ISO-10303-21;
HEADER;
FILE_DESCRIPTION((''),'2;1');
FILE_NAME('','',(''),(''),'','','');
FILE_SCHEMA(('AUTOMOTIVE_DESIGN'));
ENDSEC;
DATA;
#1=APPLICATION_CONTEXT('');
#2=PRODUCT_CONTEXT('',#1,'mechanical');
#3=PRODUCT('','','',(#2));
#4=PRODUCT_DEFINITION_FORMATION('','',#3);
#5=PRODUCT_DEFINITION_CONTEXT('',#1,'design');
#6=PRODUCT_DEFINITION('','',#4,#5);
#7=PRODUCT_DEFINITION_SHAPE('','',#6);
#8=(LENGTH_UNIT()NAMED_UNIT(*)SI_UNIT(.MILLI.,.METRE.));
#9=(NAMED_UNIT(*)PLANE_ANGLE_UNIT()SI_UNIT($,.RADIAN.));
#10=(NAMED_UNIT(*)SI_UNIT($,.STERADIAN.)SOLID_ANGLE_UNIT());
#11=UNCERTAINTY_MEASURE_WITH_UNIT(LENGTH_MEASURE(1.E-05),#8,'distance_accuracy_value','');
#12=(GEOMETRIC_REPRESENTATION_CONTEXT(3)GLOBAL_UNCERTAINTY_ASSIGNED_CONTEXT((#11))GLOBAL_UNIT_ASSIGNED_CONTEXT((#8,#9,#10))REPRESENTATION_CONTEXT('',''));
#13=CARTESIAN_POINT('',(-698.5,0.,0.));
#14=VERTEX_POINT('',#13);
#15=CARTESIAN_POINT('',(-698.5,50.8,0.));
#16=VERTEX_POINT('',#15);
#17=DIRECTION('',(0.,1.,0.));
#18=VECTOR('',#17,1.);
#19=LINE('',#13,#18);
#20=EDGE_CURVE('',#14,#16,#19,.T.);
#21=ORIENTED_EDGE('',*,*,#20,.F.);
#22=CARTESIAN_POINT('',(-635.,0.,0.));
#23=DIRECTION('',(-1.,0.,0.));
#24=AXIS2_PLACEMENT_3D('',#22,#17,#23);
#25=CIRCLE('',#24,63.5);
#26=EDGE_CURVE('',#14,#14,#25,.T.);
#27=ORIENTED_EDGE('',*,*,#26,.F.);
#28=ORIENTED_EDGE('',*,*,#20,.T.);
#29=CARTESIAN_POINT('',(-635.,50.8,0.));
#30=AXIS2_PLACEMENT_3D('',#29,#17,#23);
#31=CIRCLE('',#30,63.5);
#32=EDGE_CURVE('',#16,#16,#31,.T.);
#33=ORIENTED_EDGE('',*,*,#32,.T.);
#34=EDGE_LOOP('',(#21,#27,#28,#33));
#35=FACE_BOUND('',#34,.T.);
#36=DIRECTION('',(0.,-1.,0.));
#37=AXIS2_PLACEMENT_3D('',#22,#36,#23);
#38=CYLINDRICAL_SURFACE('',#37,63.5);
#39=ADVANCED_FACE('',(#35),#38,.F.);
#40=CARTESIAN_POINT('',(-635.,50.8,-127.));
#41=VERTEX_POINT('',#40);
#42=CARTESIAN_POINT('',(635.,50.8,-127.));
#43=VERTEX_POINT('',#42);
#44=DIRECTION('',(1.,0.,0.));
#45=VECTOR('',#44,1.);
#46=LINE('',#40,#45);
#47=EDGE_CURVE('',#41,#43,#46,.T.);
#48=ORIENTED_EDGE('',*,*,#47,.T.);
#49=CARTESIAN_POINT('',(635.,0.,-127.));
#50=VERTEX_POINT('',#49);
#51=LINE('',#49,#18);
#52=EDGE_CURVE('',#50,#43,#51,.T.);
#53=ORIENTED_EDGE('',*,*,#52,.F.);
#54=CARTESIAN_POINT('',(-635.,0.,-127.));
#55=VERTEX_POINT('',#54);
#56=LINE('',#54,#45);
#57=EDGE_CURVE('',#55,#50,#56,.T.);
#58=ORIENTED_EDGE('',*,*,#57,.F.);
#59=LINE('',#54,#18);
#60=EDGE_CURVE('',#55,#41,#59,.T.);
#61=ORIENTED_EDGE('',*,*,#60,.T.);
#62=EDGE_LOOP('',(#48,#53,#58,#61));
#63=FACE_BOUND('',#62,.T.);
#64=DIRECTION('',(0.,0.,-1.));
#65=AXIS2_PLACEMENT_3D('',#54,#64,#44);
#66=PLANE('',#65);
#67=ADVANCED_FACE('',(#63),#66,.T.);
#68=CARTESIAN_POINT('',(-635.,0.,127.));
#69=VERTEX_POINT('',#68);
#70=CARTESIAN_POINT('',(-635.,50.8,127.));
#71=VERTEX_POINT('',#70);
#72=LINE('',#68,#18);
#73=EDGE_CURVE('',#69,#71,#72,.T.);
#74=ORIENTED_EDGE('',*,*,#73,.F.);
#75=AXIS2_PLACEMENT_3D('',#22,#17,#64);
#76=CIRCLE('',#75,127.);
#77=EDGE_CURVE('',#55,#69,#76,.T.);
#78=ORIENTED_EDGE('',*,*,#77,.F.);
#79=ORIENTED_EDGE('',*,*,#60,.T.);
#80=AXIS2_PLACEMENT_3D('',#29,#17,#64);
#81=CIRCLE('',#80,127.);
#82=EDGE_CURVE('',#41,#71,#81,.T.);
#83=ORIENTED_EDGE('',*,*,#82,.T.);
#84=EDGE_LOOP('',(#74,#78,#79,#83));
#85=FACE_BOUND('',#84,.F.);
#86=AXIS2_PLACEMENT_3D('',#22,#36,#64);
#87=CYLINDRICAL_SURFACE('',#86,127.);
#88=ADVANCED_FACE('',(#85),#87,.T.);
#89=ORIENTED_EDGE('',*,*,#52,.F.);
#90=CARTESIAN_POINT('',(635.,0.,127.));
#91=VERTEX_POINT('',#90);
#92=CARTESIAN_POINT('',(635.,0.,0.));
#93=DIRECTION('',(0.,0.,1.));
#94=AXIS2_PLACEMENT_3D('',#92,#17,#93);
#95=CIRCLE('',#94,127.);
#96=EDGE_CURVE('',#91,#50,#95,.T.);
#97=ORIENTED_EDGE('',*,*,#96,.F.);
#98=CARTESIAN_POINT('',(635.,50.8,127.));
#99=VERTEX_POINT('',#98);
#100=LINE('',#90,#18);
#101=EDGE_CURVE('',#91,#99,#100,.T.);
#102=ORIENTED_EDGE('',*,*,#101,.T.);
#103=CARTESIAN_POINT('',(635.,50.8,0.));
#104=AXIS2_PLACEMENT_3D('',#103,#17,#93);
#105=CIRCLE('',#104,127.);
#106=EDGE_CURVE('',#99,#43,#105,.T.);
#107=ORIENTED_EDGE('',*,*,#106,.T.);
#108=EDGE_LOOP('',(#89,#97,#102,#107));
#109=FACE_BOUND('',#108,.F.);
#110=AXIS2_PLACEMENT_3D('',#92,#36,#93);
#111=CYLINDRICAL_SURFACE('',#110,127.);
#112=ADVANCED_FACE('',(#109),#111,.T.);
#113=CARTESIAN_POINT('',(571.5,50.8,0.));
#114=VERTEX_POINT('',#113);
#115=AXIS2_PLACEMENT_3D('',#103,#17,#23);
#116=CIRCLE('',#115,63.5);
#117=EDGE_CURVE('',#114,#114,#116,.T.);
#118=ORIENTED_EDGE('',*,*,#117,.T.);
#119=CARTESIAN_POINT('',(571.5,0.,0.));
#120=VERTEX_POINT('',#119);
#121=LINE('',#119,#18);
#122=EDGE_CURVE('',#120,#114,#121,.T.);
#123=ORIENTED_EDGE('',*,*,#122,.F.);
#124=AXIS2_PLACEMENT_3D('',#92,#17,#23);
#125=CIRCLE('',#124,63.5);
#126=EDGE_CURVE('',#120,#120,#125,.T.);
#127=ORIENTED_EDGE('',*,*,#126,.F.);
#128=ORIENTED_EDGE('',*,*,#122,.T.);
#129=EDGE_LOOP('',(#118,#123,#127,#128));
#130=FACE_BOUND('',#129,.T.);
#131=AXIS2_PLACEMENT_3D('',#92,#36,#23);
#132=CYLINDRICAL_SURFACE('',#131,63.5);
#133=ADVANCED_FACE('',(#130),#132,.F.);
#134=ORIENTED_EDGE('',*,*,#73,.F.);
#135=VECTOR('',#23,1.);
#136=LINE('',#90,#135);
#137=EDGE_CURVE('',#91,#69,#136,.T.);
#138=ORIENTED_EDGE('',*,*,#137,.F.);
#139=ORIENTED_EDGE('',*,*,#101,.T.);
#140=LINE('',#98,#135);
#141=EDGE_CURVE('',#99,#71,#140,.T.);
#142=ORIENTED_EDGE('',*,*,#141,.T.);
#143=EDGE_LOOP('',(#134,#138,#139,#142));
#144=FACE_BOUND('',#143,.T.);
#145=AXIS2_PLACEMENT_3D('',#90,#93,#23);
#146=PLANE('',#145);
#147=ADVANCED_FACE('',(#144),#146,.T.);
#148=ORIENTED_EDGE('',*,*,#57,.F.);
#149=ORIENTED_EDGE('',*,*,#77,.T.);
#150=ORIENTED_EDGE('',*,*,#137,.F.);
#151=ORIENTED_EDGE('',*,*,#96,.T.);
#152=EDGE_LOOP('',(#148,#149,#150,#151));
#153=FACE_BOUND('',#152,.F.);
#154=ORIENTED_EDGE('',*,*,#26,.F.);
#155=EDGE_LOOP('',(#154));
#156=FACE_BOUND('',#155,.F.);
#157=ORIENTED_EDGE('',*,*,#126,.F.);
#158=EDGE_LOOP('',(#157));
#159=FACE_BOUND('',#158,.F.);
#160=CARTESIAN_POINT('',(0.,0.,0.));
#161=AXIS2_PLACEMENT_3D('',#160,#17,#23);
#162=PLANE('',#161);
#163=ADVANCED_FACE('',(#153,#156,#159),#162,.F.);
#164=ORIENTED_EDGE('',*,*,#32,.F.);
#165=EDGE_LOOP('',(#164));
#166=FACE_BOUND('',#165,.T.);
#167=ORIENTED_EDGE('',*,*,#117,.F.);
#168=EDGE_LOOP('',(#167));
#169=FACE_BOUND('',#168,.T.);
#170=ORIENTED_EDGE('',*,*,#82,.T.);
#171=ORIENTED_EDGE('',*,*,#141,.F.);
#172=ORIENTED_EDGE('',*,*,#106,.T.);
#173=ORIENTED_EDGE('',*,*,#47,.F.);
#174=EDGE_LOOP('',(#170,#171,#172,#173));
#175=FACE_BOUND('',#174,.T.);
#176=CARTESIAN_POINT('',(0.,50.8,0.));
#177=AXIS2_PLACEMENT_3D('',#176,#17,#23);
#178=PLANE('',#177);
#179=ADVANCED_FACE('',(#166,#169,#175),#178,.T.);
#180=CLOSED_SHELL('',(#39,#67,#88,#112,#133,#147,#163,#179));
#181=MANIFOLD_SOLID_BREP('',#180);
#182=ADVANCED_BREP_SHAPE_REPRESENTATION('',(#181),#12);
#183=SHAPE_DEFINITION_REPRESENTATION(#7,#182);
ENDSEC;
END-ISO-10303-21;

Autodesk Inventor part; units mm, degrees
ref_plane "YZ Plane" through (0, 0, 0) normal (1, 0, 0) x (0, 1, 0)
ref_plane "XZ Plane" through (0, 0, 0) normal (0, 1, 0) x (-1, 0, 0)
ref_plane "XY Plane" through (0, 0, 0) normal (0, 0, 1) x (1, 0, 0)
sketch "Sketch1" plane through (0, 0, 0) normal (0, 1, 0) x (-1, 0, 0)
  line L0 (-635, 127) -> (635, 127)
  line L1 (635, 127) -> (635, -127) construction
  line L2 (635, -127) -> (-635, -127)
  line L3 (-635, -127) -> (-635, 127) construction
  line L4 (-635, 127) -> (635, -127) construction
  line L5 (635, 127) -> (-635, -127) construction
  arc A0 (635, -127) -> (635, 127) centre (635, 0) ccw
  arc A1 (-635, 127) -> (-635, -127) centre (-635, 0) ccw
  circle A2 centre (635, 0) radius 63.5
  circle A3 centre (-635, 0) radius 63.5
  point P0 (0, 0)
  dimension "d0" = 1270
  dimension "d1" = 254
  dimension "d2" = 127
  dimension "d3" = 127
extrude "Extrusion1" add sketch "Sketch1" along normal blind 50.8
properties part number "Base"
